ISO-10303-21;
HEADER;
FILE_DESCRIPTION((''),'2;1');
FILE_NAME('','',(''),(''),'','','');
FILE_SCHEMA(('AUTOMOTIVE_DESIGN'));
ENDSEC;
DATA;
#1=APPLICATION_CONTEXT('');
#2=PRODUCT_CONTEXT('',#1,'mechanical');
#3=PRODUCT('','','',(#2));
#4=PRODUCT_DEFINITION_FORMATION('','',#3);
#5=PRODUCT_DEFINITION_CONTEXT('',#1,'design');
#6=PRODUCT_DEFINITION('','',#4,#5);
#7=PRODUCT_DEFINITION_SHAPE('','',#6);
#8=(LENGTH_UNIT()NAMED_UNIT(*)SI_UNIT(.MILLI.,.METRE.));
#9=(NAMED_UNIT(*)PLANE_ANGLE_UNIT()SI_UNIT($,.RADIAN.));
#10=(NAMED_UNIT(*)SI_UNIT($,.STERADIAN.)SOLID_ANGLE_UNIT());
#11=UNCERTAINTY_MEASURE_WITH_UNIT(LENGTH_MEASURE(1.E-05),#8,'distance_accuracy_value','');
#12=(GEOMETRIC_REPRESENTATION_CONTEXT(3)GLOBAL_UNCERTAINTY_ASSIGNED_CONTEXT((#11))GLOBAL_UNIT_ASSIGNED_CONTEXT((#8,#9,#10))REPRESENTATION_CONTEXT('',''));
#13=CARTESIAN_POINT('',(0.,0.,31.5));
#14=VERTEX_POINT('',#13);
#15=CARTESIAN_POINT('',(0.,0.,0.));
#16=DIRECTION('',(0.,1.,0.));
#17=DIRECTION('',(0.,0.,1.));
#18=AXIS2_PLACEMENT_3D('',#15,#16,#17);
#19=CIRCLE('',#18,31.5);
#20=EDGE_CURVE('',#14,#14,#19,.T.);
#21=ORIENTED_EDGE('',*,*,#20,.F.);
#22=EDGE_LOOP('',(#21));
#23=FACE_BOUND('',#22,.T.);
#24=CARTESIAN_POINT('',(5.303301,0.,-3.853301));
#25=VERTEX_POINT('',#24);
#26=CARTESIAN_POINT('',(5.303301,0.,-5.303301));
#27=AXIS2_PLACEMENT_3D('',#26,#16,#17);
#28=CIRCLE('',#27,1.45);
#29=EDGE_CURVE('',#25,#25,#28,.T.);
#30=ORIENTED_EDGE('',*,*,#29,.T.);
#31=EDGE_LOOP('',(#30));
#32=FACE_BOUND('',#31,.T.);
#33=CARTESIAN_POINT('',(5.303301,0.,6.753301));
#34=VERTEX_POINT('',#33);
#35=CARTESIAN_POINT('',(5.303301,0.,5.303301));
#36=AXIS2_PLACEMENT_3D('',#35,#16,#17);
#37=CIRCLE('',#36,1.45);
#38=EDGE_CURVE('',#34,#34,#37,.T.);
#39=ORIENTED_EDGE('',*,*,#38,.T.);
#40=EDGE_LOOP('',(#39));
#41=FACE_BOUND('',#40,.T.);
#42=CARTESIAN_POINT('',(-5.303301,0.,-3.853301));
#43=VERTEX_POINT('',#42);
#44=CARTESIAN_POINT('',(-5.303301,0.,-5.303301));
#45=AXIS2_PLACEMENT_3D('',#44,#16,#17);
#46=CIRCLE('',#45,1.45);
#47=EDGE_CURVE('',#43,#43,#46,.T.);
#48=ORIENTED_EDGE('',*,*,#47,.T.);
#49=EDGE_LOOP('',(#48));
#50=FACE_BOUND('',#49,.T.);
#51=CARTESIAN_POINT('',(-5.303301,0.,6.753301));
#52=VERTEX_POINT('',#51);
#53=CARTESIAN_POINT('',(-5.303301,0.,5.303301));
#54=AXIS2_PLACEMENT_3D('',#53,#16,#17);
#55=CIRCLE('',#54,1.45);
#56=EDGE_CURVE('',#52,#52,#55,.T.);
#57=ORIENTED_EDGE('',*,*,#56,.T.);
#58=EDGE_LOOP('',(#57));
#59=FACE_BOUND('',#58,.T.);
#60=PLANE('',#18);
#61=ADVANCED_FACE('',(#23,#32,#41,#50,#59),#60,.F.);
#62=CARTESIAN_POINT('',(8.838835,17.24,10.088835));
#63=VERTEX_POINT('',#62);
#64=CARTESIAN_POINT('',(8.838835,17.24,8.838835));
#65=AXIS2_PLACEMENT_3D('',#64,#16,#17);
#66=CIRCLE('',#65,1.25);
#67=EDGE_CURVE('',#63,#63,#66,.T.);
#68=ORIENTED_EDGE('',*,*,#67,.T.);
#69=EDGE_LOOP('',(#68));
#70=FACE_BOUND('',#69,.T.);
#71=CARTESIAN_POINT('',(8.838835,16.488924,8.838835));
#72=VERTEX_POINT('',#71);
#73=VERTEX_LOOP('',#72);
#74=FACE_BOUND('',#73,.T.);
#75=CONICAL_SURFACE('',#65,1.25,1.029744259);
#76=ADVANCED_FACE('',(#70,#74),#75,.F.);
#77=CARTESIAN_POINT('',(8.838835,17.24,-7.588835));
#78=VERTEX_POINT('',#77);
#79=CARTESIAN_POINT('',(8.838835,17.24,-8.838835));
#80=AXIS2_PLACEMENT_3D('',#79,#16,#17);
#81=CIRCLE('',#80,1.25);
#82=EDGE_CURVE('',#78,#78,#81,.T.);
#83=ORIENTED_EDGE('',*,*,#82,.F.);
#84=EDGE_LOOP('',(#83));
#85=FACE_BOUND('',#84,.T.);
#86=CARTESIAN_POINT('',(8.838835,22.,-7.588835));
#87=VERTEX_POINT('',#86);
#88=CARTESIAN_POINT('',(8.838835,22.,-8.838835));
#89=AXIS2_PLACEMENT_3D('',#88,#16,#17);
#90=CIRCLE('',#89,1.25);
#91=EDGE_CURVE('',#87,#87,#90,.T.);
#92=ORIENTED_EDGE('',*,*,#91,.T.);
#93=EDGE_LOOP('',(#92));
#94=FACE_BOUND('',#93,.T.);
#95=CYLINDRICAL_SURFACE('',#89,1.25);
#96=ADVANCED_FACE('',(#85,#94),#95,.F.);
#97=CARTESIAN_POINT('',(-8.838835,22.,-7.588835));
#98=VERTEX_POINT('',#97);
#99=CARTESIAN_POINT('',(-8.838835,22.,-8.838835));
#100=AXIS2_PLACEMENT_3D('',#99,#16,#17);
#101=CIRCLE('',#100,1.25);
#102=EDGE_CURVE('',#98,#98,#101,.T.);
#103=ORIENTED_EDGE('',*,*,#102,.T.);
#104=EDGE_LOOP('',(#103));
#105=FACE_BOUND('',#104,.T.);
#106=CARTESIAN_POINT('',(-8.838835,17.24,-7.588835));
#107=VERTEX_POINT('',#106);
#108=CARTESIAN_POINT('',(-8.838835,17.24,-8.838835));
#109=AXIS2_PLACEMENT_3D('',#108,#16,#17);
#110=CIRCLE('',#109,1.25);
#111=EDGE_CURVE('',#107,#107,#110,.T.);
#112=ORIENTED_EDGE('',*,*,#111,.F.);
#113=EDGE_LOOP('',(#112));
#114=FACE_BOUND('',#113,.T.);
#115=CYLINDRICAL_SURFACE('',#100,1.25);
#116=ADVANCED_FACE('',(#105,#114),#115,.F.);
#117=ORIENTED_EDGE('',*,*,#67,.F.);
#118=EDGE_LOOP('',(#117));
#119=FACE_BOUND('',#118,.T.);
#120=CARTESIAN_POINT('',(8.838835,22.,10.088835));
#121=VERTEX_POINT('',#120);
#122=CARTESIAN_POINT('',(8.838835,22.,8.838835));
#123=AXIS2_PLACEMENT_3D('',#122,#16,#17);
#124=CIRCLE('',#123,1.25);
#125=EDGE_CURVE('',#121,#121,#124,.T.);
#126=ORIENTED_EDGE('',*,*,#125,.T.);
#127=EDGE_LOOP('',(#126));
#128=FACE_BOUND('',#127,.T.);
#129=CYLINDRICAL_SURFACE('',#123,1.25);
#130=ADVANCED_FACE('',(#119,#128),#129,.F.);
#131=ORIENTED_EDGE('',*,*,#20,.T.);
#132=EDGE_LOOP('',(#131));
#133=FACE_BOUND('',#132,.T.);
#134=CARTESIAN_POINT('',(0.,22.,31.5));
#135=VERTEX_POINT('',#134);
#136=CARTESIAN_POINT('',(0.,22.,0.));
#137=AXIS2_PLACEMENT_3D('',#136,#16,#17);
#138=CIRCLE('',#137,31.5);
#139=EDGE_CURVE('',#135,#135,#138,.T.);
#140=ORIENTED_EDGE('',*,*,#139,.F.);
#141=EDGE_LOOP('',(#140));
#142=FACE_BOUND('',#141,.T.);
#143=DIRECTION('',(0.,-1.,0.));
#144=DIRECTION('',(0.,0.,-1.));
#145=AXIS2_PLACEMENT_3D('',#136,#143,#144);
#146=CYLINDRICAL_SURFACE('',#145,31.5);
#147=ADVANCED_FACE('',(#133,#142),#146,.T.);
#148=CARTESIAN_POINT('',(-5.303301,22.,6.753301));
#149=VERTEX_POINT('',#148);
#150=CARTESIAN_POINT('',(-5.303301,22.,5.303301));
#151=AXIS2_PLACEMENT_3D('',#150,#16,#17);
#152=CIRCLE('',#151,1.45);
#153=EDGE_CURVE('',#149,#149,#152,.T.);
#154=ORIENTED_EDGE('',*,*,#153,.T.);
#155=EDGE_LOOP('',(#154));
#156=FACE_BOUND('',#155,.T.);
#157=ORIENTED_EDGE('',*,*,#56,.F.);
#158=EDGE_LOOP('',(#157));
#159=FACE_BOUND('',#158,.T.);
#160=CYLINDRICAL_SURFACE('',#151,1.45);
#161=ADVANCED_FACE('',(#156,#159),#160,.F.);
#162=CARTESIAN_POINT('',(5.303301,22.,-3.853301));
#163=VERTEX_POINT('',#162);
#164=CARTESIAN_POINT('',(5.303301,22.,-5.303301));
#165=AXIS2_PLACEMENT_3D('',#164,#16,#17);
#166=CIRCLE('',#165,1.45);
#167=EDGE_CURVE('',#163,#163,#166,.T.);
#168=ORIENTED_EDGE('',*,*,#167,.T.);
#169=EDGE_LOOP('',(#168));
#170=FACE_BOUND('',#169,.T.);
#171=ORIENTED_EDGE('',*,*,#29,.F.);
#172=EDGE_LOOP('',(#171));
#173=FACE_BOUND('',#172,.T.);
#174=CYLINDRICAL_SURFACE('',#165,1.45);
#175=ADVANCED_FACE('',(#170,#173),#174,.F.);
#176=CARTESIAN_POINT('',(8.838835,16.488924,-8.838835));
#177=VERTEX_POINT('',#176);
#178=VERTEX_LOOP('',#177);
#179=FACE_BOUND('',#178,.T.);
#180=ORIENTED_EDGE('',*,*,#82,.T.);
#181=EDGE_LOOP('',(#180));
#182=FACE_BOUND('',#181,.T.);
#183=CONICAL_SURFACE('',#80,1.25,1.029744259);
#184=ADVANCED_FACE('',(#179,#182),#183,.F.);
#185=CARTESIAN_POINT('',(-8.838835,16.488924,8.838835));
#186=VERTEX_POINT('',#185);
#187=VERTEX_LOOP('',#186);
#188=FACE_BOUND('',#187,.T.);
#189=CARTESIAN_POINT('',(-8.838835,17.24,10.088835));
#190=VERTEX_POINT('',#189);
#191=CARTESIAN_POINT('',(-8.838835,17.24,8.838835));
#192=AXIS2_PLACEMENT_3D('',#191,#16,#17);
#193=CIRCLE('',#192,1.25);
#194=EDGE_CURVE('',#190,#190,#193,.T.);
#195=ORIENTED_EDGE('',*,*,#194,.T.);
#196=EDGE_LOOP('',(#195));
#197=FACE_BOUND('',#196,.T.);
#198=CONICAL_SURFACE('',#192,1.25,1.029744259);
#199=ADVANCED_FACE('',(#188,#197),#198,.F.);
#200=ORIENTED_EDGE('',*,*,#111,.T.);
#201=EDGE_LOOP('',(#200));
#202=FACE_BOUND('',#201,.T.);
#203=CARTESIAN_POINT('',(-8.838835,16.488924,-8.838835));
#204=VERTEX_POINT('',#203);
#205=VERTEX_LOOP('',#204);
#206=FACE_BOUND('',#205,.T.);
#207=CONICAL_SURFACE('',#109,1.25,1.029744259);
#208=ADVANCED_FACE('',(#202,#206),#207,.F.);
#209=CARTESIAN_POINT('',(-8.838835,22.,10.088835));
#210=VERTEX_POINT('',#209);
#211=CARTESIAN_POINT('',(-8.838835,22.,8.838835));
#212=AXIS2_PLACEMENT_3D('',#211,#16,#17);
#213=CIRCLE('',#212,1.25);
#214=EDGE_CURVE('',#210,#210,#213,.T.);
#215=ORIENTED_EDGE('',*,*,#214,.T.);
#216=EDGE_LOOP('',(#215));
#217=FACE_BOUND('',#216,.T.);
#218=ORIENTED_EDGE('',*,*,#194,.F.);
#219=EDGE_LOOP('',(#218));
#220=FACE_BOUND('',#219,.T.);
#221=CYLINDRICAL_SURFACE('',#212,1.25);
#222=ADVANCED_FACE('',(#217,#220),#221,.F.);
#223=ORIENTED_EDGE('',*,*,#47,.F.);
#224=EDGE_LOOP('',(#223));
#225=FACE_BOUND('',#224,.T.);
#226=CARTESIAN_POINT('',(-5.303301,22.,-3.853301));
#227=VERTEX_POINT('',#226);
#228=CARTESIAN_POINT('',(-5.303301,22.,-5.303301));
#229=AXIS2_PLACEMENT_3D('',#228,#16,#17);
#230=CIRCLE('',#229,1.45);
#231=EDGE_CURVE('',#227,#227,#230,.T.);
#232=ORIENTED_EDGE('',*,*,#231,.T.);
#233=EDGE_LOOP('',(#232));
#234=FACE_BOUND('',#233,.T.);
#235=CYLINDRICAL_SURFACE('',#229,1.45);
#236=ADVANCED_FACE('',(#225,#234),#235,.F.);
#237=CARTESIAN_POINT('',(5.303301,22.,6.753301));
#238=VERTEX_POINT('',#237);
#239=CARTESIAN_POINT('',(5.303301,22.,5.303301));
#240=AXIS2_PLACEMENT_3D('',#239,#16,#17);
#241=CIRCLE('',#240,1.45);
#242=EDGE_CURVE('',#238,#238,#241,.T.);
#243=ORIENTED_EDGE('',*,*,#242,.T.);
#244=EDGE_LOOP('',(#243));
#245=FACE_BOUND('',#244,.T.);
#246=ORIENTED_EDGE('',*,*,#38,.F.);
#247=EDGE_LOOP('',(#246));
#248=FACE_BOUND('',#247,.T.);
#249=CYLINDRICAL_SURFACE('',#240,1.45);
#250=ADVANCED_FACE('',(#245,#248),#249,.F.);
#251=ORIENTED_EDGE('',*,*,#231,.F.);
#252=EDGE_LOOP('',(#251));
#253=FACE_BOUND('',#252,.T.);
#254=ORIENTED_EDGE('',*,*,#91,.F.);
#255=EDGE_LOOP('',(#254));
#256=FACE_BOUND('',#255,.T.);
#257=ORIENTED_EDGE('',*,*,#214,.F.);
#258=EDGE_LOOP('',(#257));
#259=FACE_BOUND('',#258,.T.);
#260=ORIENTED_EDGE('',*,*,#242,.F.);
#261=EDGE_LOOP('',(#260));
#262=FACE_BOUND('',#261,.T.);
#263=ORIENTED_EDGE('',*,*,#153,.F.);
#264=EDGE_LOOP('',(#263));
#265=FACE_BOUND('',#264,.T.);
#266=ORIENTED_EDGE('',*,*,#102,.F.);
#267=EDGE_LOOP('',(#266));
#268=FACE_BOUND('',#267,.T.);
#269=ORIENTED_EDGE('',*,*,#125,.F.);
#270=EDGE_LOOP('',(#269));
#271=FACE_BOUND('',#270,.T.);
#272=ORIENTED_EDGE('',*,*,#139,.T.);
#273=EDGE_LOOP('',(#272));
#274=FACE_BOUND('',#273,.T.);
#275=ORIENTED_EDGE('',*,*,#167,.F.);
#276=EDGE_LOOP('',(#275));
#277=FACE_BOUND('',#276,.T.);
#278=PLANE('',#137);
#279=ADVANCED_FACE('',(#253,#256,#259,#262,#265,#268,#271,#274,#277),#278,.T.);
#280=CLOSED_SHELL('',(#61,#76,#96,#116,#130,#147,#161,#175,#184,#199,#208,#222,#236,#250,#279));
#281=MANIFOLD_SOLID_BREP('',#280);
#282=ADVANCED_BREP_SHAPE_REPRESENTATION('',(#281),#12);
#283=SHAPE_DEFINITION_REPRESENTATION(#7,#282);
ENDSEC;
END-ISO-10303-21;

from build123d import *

# Parameters (mm, degrees)
SKETCH1_R                          = 31.5
BOSS_EXTRUDE1_DEPTH                = 22
TAP_DRILL_FOR_M3X0_5_TAP1_D        = 2.5
TAP_DRILL_FOR_M3X0_5_TAP1_DEPTH    = 4.76
TAP_DRILL_FOR_M3X0_5_TAP1_TIP      = 0.751075774
TAP_DRILL_FOR_M2_5X0_45_TAP1_D     = 2.05
TAP_DRILL_FOR_M2_5X0_45_TAP1_DEPTH = 3.5
TAP_DRILL_FOR_M2_5X0_45_TAP1_TIP   = 0.615882135
M2_5_CLEARANCE_HOLE1_D             = 2.9


with BuildPart() as part:
    # Sketch1 → Boss-Extrude1 (new body)
    with BuildSketch(Plane(origin=(0, 0, 0), x_dir=(1, 0, 0), z_dir=(0, 1, 0))):
        Circle(SKETCH1_R)
    extrude(amount=BOSS_EXTRUDE1_DEPTH)

    # Tap Drill for M3x0.5 Tap1
    with Locations(Plane(origin=(0, 22, 0), x_dir=(1, 0, 0), z_dir=(0, 1, 0))):
        with Locations((8.838834765, 8.838834765), (8.838834765, -8.838834765), (-8.838834765, -8.838834765), (-8.838834765, 8.838834765)):
            Hole(TAP_DRILL_FOR_M3X0_5_TAP1_D / 2, depth=TAP_DRILL_FOR_M3X0_5_TAP1_DEPTH)
            with Locations((0, 0, -(TAP_DRILL_FOR_M3X0_5_TAP1_DEPTH + TAP_DRILL_FOR_M3X0_5_TAP1_TIP / 2))):  # 118° drill point
                Cone(0, TAP_DRILL_FOR_M3X0_5_TAP1_D / 2, TAP_DRILL_FOR_M3X0_5_TAP1_TIP, mode=Mode.SUBTRACT)

    # Tap Drill for M2.5x0.45 Tap1
    with Locations(Plane(origin=(0, 0, 0), x_dir=(-1, 0, 0), z_dir=(0, -1, 0))):
        with Locations((5.303300859, -5.303300859), (5.303300859, 5.303300859), (-5.303300859, -5.303300859), (-5.303300859, 5.303300859)):
            Hole(TAP_DRILL_FOR_M2_5X0_45_TAP1_D / 2, depth=TAP_DRILL_FOR_M2_5X0_45_TAP1_DEPTH)
            with Locations((0, 0, -(TAP_DRILL_FOR_M2_5X0_45_TAP1_DEPTH + TAP_DRILL_FOR_M2_5X0_45_TAP1_TIP / 2))):  # 118° drill point
                Cone(0, TAP_DRILL_FOR_M2_5X0_45_TAP1_D / 2, TAP_DRILL_FOR_M2_5X0_45_TAP1_TIP, mode=Mode.SUBTRACT)

    # M2.5 Clearance Hole1 (through all)
    with Locations(Plane(origin=(0, 22, 0), x_dir=(1, 0, 0), z_dir=(0, 1, 0))):
        with Locations((5.303300859, 5.303300859), (5.303300859, -5.303300859), (-5.303300859, -5.303300859), (-5.303300859, 5.303300859)):
            Hole(M2_5_CLEARANCE_HOLE1_D / 2)


solid = part.part
